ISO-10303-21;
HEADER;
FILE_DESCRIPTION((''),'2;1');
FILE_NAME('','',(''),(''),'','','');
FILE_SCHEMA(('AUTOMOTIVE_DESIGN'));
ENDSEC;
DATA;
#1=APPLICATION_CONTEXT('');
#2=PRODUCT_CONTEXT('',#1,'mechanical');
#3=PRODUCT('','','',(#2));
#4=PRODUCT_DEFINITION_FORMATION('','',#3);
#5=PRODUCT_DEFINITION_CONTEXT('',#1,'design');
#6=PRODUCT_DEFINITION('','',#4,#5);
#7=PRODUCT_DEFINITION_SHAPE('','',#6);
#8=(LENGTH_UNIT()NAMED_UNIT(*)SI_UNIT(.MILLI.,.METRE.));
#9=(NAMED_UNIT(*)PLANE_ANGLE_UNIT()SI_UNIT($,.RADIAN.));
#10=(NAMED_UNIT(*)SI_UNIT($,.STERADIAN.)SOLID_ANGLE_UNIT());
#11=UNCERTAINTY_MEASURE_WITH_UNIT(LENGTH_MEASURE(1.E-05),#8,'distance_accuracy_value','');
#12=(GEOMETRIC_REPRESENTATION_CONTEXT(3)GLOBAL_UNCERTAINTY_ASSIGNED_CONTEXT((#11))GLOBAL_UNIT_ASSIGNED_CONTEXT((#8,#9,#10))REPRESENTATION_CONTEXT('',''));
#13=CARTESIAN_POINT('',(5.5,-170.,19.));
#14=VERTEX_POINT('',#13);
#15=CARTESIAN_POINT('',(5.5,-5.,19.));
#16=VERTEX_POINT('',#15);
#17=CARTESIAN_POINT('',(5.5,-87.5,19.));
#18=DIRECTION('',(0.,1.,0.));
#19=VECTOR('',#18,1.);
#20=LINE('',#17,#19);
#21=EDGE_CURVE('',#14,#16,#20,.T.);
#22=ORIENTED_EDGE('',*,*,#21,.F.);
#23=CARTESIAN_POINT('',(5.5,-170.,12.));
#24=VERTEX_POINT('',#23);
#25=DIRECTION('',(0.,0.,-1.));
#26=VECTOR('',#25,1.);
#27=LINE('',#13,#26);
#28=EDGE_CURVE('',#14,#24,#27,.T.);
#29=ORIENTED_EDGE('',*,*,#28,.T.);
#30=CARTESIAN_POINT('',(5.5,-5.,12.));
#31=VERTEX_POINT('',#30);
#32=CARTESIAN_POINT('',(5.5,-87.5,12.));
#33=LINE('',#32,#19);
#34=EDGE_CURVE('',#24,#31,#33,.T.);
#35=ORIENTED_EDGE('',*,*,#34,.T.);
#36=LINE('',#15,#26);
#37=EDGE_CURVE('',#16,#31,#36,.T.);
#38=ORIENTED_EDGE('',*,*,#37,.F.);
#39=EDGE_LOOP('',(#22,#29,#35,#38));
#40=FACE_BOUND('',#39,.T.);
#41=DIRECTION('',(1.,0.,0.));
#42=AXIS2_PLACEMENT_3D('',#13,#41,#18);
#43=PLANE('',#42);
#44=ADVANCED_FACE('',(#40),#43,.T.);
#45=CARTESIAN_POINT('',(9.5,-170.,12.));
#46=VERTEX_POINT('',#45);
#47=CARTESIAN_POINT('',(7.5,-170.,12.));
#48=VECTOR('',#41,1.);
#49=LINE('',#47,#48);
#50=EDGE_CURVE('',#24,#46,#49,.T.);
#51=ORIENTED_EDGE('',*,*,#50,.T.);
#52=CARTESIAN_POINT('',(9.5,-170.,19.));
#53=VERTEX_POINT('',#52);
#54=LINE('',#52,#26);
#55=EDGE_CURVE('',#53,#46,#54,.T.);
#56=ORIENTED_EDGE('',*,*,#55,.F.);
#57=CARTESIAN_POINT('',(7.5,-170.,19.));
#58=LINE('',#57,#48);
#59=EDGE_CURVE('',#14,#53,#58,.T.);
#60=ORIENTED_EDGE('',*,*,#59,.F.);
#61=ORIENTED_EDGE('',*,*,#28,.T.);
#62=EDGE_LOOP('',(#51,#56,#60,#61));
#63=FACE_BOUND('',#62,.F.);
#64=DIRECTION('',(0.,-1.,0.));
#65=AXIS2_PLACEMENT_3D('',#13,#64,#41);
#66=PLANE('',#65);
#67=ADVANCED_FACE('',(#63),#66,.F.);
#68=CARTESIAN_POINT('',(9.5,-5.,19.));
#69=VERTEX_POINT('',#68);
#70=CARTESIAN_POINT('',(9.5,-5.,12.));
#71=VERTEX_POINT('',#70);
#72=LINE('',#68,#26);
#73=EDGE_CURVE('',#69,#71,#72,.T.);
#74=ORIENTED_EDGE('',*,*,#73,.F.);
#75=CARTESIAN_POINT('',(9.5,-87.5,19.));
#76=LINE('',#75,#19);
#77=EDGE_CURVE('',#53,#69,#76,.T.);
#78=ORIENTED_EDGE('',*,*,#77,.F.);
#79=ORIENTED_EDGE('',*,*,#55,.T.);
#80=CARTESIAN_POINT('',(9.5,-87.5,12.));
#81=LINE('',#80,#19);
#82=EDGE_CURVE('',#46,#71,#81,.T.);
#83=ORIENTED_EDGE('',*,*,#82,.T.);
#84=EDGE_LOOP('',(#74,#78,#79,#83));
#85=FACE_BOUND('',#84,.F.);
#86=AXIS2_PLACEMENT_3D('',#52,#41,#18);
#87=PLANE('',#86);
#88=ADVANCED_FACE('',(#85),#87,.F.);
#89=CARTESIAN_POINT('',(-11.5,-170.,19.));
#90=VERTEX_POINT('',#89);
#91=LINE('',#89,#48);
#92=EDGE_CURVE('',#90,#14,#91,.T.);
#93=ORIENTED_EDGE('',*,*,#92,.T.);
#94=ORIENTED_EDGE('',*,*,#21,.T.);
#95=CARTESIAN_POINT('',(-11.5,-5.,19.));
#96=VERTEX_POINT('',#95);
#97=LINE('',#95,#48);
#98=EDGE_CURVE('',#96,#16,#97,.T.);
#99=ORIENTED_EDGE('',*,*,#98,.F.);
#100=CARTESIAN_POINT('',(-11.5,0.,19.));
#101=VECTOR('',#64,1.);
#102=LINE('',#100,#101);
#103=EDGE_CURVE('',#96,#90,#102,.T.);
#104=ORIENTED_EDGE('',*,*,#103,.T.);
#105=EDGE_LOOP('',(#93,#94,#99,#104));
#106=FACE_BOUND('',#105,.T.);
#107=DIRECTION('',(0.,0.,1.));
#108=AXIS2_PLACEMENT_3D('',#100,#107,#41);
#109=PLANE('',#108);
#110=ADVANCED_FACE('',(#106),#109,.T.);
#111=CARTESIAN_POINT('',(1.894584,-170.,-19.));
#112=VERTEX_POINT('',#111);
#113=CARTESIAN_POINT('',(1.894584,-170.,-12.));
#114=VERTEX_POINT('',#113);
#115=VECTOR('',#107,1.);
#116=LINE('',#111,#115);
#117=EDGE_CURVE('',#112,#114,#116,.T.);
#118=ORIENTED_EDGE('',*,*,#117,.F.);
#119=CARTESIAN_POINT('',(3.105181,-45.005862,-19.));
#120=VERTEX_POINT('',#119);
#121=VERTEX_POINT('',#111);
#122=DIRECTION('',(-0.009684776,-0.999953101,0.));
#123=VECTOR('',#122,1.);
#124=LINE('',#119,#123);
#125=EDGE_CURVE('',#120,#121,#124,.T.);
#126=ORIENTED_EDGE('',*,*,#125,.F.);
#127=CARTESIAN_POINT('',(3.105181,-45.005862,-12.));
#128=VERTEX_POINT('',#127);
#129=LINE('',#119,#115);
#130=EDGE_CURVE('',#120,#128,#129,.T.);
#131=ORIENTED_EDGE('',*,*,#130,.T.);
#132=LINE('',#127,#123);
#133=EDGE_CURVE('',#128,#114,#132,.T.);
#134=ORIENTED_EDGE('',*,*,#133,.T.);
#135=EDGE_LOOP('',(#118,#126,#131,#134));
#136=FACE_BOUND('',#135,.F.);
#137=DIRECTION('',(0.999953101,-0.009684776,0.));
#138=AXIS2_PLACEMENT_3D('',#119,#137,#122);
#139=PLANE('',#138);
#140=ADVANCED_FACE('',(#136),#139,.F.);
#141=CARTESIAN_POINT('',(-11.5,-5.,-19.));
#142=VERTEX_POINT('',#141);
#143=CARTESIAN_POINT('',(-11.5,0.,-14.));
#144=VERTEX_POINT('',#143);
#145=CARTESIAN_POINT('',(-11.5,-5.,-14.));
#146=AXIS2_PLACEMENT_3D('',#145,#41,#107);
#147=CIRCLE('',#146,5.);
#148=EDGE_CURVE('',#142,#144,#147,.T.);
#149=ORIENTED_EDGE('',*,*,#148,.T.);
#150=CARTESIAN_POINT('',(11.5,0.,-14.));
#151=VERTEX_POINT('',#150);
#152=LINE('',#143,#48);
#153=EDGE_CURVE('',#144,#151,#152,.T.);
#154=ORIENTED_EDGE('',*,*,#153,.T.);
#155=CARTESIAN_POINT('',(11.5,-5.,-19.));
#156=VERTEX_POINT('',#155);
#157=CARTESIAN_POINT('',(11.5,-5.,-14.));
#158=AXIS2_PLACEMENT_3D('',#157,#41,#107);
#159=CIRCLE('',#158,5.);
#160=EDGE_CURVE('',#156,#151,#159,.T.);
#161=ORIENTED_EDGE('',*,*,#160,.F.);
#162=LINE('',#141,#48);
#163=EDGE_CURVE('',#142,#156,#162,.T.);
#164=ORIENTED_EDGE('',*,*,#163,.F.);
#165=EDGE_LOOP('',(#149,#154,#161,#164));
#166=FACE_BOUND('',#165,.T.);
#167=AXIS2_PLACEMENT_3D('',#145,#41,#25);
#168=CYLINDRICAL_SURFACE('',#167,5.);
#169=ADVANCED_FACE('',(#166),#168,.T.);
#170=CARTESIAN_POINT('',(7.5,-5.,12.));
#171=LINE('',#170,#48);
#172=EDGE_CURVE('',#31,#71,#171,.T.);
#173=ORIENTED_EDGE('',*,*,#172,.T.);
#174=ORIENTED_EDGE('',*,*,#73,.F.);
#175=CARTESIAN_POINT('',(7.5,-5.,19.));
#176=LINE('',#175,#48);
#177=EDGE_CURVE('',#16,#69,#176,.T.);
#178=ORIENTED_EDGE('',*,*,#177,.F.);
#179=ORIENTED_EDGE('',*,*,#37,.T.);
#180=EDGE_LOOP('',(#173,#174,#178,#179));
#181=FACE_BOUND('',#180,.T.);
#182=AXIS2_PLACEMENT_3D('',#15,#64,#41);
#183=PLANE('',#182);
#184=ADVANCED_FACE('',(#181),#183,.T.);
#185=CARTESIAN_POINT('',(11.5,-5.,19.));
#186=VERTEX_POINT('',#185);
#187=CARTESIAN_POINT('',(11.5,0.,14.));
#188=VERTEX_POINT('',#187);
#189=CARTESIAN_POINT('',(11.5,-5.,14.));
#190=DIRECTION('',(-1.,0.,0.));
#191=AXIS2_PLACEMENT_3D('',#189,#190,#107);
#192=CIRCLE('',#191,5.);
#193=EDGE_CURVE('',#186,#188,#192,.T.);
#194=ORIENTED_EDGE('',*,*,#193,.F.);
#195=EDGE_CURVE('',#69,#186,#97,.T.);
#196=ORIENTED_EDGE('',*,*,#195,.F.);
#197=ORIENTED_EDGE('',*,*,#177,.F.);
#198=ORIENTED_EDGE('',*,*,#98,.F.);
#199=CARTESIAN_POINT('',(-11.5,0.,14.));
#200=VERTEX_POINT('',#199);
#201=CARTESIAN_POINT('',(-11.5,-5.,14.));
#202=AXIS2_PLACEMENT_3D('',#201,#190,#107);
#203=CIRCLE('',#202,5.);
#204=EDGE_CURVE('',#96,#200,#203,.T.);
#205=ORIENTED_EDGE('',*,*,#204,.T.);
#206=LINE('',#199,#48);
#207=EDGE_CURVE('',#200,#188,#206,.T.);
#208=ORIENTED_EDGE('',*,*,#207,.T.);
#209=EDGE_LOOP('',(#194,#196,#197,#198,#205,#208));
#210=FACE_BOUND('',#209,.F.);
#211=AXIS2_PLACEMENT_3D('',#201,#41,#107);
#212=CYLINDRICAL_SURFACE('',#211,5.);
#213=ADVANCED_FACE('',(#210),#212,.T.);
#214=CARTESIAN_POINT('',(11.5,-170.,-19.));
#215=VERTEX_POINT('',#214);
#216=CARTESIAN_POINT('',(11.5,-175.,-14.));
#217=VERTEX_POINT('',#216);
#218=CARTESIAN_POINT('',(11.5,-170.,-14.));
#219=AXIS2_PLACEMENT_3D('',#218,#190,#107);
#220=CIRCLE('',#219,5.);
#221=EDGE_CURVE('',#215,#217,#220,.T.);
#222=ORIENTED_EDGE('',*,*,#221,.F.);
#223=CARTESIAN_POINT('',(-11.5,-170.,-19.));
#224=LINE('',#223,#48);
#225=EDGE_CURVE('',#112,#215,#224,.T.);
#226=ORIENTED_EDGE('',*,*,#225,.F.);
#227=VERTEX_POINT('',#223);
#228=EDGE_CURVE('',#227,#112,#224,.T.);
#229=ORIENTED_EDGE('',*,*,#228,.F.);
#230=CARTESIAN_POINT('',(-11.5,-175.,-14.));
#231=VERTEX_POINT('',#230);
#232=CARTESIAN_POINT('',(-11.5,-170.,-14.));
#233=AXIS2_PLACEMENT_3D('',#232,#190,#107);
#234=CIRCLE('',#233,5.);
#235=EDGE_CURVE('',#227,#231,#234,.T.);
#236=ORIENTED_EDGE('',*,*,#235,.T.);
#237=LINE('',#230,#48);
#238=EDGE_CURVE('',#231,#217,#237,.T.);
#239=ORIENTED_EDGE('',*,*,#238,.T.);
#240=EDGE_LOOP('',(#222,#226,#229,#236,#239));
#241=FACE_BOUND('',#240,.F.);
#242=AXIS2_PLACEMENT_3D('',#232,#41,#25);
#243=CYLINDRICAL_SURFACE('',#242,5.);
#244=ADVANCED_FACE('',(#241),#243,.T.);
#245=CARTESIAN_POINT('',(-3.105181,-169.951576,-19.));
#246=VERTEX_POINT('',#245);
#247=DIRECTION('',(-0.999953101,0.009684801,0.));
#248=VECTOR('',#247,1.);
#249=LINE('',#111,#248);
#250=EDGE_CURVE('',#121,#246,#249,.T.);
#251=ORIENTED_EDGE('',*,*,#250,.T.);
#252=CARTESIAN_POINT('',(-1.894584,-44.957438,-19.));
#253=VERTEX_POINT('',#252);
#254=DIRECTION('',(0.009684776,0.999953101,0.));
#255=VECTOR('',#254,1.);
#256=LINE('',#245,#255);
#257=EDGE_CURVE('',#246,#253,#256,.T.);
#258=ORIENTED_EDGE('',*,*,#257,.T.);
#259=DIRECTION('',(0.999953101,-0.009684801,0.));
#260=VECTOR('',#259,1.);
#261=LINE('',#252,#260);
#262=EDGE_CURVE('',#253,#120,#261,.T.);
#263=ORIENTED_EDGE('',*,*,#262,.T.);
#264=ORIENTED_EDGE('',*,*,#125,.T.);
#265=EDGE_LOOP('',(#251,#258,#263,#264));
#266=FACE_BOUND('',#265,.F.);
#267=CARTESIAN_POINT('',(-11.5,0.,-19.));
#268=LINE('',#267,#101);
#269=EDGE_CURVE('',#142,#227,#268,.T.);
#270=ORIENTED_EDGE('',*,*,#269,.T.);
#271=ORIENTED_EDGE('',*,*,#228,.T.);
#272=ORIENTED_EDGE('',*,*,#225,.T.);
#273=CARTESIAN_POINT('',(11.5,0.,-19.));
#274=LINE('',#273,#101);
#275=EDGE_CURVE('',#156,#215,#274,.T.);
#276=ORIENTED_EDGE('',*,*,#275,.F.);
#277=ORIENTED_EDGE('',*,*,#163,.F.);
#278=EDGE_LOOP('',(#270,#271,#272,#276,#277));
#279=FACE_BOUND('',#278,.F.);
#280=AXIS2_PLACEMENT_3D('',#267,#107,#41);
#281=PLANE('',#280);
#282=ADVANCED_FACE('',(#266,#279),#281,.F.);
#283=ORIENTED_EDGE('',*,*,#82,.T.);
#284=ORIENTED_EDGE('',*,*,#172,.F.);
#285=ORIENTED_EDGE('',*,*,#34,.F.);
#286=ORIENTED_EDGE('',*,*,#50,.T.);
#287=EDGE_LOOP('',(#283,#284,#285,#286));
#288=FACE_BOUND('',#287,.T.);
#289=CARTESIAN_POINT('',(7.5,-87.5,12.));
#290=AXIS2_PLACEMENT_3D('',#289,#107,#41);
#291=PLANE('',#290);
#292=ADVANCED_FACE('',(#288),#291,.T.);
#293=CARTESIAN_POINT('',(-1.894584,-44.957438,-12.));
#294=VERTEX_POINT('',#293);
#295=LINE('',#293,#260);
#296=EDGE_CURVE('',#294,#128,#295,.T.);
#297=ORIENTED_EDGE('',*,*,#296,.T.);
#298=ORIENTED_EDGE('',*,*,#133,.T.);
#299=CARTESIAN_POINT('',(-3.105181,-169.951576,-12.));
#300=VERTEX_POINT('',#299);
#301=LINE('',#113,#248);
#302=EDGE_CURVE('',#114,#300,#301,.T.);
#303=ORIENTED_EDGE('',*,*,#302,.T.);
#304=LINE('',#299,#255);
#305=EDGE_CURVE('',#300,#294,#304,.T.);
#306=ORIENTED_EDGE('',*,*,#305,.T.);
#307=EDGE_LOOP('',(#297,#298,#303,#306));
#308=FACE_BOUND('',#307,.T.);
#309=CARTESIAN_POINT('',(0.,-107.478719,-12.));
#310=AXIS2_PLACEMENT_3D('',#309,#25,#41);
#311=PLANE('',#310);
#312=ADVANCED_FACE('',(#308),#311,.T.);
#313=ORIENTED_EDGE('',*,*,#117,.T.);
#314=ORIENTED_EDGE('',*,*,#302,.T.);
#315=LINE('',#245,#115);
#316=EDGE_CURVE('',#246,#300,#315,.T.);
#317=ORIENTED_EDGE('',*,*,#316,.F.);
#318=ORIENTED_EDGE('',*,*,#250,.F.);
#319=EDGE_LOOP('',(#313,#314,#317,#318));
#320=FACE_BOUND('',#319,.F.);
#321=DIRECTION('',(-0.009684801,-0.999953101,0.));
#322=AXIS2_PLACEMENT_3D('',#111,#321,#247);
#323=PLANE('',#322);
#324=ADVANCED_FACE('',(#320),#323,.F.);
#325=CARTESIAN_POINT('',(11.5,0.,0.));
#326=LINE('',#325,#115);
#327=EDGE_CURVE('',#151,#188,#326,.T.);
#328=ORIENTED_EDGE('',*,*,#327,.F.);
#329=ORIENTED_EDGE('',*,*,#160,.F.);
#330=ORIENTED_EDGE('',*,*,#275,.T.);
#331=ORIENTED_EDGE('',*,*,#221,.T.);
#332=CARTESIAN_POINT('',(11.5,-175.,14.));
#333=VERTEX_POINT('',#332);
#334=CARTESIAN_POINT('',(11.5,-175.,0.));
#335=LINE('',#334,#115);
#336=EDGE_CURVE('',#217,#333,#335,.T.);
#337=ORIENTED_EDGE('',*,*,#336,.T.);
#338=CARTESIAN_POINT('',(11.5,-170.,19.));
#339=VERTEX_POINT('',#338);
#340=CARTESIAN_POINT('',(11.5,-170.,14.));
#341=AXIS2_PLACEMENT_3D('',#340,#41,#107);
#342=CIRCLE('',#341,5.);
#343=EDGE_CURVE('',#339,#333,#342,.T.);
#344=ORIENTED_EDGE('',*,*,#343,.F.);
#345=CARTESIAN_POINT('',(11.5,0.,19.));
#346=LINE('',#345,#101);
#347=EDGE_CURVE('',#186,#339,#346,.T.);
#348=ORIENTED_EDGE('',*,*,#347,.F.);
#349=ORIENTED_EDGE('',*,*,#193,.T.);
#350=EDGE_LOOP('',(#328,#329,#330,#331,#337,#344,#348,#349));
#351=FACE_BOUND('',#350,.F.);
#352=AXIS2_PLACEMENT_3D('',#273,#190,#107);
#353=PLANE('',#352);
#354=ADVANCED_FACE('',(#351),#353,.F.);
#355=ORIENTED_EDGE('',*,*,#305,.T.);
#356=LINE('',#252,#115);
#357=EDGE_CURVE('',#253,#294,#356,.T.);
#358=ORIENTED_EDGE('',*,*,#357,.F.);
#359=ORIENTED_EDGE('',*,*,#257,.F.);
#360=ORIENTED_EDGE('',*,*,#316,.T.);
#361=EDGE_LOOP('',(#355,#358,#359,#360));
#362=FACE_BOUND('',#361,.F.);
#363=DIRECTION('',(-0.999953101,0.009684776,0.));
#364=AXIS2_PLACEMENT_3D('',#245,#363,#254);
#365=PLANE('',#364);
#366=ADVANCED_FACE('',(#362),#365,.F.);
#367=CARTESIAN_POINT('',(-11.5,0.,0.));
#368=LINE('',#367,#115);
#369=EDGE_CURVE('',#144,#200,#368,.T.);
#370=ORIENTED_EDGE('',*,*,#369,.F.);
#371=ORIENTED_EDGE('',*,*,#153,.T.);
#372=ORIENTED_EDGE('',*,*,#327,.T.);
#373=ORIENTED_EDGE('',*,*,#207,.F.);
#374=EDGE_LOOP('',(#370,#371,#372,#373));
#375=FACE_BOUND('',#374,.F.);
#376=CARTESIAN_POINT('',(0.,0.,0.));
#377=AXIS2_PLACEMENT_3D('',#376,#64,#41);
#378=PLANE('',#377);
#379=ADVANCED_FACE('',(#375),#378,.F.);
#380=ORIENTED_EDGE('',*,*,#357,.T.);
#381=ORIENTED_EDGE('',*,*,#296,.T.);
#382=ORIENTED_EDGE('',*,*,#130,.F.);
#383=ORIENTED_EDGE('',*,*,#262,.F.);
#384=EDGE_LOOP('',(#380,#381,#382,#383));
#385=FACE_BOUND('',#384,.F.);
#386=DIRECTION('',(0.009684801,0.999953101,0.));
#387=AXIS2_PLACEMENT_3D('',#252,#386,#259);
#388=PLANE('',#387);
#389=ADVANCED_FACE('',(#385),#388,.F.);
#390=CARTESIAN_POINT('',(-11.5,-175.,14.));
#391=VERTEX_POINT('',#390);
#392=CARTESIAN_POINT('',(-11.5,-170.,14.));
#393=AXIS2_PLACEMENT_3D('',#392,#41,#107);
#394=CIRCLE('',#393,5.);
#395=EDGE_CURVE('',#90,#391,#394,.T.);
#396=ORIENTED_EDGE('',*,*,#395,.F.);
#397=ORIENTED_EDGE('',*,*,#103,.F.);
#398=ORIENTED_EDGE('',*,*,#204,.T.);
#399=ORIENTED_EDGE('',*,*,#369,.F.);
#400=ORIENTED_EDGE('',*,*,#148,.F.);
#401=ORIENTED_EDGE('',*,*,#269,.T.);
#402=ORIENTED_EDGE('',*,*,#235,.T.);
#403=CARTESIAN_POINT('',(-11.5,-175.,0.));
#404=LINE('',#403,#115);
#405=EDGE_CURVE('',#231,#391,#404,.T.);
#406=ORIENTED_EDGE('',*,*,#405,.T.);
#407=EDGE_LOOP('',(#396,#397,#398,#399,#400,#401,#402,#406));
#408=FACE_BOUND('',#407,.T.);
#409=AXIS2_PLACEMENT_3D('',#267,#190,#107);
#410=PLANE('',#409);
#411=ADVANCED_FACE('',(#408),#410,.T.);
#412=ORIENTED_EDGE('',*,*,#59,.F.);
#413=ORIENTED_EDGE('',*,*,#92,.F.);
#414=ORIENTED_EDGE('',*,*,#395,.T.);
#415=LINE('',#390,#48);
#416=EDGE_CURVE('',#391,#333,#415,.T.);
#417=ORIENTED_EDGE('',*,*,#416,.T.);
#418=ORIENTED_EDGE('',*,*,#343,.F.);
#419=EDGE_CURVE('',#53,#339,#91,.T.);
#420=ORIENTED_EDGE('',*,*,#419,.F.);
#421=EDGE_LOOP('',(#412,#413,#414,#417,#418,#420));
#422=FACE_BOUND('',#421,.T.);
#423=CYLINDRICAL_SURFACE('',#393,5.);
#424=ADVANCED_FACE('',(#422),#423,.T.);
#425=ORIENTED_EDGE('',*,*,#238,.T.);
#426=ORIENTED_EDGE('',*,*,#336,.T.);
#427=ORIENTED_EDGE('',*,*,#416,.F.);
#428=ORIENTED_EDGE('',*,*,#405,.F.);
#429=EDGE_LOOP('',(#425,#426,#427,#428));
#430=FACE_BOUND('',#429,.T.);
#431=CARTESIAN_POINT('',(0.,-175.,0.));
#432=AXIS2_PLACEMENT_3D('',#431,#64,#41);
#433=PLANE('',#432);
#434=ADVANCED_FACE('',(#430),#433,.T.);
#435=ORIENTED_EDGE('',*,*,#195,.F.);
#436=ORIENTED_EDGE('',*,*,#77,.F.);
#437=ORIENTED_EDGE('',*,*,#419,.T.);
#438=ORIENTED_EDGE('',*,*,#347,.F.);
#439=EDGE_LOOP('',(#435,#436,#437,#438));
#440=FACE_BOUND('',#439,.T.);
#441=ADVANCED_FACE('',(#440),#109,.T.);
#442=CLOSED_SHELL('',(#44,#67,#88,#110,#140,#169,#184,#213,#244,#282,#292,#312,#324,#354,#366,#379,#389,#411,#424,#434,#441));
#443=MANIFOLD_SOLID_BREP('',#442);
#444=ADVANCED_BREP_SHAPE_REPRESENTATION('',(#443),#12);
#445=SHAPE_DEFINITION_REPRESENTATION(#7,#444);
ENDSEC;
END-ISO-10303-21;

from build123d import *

# Parameters (mm, degrees)
F0_W     = 23
F0_H     = 38
F1_DEPTH = 175
F2_R     = 5
F4_DEPTH = 7
F5_W     = 4
F5_H     = 165
F6_DEPTH = 7


with BuildPart() as f1:
    # F0 (on Front) → F1 (new body)
    with BuildSketch(Plane.XZ):
        Rectangle(F0_W, F0_H)
    extrude(amount=F1_DEPTH)

    # F2
    f2_edges = [f1.edges().sort_by_distance(p)[0] for p in [
        (0, -175, 19),
        (0, -175, -19),
        (0, 0, 19),
        (0, 0, -19),
    ]]
    fillet(f2_edges, radius=F2_R)

    # F3 (on face) → F4 (cut)
    with BuildSketch(Plane(origin=(0, 0, -19), x_dir=(1, 0, 0), z_dir=(0, 0, -1))):
        Polygon((3.105181, 45.005862), (1.894584, 170), (-3.105181, 169.951576), (-1.894584, 44.957438), align=None)
    extrude(amount=-F4_DEPTH, mode=Mode.SUBTRACT)

    # F5 (on face) → F6 (cut)
    with BuildSketch(Plane.XY.offset(19)):
        with Locations((7.5, -87.5)):
            Rectangle(F5_W, F5_H)
    extrude(amount=-F6_DEPTH, mode=Mode.SUBTRACT)


solid = f1.part
